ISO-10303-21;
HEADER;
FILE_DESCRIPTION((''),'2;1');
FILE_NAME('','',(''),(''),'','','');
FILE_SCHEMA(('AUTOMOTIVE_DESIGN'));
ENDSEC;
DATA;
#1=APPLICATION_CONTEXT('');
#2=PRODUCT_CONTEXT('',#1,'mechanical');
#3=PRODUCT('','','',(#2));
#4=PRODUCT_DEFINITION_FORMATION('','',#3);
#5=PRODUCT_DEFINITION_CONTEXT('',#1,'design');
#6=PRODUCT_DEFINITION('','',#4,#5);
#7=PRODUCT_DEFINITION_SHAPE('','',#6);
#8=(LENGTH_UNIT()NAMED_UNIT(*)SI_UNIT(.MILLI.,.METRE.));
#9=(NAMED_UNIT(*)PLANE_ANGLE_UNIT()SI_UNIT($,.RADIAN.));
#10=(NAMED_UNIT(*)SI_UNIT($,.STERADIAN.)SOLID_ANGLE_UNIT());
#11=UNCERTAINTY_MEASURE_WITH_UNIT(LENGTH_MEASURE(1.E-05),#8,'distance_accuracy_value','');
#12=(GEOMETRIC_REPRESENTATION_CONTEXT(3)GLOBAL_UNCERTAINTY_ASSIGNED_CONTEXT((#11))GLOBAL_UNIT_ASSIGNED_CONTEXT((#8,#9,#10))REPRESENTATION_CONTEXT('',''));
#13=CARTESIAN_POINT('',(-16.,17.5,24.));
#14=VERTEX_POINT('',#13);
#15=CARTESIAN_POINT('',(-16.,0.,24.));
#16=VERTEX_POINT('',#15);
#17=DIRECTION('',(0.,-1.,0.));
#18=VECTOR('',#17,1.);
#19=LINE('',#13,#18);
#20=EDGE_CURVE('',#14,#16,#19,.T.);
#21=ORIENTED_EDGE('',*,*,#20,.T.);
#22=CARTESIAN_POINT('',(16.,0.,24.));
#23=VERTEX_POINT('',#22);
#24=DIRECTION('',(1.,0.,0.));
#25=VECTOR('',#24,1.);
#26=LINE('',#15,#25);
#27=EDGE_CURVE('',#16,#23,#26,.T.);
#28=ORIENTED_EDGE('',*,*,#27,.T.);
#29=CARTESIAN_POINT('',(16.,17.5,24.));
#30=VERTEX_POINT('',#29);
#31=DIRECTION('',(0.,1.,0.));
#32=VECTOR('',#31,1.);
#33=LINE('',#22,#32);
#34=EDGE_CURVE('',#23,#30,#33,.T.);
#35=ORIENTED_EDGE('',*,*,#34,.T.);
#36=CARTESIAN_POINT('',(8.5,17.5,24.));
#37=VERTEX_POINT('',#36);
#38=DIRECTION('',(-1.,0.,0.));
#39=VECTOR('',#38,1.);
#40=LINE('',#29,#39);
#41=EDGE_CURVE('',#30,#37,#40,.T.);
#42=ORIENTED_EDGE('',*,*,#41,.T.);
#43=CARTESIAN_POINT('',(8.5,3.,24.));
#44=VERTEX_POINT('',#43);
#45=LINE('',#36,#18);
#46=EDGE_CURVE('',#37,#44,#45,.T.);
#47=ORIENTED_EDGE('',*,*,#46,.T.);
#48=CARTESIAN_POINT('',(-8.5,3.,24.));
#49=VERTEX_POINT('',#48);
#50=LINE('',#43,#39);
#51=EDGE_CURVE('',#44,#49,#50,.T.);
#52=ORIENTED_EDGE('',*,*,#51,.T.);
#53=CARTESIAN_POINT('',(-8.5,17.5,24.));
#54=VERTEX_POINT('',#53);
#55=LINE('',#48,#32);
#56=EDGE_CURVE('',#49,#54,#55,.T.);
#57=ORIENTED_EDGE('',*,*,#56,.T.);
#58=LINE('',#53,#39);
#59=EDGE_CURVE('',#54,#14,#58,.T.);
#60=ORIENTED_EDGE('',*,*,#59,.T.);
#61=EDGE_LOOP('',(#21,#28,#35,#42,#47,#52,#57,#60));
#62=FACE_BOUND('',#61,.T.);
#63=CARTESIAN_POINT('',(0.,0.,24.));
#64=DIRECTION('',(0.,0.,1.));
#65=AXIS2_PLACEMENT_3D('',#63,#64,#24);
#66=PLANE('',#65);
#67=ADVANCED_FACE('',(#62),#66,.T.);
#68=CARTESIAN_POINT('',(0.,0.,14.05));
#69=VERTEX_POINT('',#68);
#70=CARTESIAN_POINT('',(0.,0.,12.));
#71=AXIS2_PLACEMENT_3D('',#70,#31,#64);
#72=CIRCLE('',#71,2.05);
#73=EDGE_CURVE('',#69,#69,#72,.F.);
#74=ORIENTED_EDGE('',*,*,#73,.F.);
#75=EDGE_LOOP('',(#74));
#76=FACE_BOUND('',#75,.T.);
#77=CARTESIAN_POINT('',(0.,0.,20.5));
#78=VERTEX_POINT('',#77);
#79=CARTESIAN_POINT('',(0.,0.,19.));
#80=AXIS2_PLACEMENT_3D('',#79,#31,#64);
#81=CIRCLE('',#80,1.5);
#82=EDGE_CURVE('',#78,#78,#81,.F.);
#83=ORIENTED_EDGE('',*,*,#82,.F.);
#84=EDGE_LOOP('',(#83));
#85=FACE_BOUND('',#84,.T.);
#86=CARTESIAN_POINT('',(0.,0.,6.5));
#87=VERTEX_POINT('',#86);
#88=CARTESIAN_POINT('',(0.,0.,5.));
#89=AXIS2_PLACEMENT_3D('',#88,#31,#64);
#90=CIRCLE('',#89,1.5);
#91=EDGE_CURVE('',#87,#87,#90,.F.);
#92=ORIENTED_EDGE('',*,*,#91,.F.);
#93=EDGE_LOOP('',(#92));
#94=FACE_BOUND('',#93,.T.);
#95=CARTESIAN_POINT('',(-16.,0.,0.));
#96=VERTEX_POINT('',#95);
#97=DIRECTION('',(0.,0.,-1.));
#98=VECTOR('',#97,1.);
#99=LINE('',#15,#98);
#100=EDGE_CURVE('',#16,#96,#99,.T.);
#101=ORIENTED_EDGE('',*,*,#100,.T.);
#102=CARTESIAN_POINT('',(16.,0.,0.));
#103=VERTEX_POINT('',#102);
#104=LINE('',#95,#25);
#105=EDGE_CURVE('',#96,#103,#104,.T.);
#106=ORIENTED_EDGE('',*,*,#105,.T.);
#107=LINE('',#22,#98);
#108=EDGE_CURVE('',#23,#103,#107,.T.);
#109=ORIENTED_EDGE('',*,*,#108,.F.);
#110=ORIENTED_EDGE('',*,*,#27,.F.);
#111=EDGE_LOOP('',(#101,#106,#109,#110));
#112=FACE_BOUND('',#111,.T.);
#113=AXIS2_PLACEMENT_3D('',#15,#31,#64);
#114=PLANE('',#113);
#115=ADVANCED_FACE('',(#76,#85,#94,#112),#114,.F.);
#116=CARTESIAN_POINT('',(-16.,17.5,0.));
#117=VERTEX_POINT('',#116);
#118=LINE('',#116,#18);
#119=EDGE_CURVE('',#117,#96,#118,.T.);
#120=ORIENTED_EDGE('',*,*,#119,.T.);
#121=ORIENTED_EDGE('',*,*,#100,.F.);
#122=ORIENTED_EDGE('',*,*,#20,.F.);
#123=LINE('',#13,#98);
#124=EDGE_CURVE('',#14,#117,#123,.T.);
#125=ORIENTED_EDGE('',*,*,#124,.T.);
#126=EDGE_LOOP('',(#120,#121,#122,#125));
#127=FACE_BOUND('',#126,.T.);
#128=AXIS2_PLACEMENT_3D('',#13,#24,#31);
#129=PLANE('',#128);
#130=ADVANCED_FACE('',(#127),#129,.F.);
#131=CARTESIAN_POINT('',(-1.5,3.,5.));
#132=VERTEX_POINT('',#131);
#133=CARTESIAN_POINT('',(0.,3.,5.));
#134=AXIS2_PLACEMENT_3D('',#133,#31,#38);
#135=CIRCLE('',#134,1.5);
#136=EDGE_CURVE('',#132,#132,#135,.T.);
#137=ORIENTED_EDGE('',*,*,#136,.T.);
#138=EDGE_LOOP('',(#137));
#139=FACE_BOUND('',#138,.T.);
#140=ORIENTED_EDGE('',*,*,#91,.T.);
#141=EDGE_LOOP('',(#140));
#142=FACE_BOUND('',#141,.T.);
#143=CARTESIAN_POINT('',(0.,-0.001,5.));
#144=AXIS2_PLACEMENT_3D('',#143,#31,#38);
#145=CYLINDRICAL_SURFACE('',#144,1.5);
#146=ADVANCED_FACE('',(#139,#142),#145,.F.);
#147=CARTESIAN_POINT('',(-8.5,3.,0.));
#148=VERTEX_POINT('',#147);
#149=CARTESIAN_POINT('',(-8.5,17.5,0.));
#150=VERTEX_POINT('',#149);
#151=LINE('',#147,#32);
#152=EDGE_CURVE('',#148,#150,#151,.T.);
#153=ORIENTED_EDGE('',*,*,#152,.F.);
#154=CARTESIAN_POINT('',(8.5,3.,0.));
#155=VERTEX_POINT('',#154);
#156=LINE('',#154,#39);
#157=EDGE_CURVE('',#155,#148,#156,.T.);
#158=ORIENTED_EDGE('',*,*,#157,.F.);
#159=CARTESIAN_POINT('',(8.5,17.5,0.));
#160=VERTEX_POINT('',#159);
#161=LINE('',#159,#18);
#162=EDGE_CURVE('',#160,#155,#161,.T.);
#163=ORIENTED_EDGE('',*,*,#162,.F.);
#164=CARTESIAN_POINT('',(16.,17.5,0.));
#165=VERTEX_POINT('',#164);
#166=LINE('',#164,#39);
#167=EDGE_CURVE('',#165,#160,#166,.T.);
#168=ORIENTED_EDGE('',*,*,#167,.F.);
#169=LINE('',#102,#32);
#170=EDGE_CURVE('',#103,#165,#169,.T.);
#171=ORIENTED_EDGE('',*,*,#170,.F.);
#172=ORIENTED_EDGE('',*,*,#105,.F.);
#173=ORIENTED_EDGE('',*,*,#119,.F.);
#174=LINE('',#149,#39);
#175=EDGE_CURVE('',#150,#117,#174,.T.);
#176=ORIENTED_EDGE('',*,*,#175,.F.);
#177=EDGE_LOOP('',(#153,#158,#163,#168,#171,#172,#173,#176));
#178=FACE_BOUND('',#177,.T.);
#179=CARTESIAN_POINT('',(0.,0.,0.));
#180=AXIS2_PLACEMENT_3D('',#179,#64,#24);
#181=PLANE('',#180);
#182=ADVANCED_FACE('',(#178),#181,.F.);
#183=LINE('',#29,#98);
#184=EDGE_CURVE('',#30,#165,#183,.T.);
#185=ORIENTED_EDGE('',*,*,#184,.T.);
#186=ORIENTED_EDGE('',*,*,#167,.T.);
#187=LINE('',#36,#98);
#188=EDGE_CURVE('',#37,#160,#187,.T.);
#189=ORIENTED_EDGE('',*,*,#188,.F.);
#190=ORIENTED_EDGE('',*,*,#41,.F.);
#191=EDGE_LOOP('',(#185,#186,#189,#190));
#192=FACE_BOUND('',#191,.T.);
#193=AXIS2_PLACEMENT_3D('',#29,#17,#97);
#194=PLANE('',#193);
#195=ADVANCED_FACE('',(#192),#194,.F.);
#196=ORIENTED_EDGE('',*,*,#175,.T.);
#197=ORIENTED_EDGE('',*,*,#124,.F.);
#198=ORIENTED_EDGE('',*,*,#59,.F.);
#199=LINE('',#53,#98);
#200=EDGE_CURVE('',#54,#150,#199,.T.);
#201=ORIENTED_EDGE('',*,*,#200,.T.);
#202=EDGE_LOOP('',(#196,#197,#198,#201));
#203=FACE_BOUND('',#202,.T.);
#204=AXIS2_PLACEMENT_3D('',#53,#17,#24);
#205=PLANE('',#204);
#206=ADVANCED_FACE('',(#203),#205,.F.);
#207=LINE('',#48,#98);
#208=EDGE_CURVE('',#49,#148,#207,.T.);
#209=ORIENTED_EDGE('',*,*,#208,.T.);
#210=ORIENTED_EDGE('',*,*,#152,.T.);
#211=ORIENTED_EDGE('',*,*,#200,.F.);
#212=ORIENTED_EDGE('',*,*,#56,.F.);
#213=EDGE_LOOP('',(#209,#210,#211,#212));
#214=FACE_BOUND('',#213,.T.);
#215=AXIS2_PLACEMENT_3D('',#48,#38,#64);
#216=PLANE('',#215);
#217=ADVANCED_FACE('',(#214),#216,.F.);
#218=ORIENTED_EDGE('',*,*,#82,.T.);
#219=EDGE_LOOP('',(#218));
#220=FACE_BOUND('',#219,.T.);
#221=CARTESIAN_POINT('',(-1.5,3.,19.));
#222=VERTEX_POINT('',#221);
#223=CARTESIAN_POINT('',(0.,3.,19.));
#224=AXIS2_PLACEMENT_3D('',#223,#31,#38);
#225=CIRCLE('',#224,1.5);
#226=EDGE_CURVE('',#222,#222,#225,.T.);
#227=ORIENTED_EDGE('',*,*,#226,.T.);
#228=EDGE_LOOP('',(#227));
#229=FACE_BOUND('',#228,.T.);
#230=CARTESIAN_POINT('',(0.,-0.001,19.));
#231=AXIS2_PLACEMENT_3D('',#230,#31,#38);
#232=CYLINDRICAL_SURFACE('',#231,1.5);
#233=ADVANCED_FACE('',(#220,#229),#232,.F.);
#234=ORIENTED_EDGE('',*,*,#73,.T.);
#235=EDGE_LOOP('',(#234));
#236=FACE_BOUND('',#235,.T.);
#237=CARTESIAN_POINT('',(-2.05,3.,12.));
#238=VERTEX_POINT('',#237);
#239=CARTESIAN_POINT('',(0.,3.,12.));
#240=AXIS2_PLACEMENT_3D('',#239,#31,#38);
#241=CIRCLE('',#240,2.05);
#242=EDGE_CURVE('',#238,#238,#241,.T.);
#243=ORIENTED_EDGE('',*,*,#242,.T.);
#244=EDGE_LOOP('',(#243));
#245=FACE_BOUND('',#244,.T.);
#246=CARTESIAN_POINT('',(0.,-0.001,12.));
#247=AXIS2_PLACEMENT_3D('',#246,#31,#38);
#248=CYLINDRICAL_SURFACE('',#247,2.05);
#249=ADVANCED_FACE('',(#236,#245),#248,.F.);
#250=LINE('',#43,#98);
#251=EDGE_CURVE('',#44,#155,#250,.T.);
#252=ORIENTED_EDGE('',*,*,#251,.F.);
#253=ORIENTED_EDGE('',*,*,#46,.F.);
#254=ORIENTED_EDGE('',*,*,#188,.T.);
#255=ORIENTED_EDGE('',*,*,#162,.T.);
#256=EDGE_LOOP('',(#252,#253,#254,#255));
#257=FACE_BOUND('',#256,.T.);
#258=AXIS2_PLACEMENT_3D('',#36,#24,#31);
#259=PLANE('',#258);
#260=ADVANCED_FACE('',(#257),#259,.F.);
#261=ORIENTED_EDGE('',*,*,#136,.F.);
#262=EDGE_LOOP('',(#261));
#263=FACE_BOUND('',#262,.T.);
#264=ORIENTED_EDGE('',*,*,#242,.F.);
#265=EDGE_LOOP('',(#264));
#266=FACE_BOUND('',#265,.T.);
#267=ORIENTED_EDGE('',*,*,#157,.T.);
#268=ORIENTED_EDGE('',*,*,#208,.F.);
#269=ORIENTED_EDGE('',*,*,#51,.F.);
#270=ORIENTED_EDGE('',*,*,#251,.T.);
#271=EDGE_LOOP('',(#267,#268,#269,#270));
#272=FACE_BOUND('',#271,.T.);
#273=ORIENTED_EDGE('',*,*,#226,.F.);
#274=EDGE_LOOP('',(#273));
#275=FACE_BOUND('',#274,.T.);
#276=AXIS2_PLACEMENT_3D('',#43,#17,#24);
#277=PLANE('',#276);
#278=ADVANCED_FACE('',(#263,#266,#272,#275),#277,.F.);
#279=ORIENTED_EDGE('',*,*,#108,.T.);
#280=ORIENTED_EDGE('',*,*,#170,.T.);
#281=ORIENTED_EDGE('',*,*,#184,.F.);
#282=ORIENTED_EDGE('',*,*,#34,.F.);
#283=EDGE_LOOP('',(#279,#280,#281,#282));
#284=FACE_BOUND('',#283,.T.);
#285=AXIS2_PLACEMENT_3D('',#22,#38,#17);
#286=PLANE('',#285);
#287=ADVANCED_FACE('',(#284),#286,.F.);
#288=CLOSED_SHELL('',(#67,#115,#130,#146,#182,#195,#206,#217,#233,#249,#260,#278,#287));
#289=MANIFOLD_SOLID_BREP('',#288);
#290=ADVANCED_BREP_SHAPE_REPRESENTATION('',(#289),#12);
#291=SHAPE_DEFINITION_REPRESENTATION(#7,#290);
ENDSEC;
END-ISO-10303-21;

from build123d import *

# Parameters (mm, degrees)
BOSS_EXTRUDE1_DEPTH = 24
CUT_EXTRUDE1_REACH  = 5
SKETCH4_R           = 1.5
SKETCH4_R_2         = 2.05


with BuildPart() as part:
    # Sketch3 → Boss-Extrude1 (new body)
    with BuildSketch(Plane.XY):
        Polygon((-16, 0), (16, 0), (16, 17.5), (8.5, 17.5), (8.5, 3), (-8.5, 3), (-8.5, 17.5), (-16, 17.5), align=None)
    extrude(amount=BOSS_EXTRUDE1_DEPTH)

    # Sketch4 → Cut-Extrude1 (cut, up to next)
    with BuildSketch(Plane(origin=(0, 3, 0), x_dir=(1, 0, 0), z_dir=(0, 1, 0)), mode=Mode.PRIVATE) as cut_extrude1_sk1:
        with Locations((0, -5)):
            Circle(SKETCH4_R)
    cut_extrude1_tool1 = extrude(cut_extrude1_sk1.sketch, amount=-CUT_EXTRUDE1_REACH, mode=Mode.PRIVATE) & part.part
    add(cut_extrude1_tool1.solids().sort_by_distance((0, 3, 5))[0], mode=Mode.SUBTRACT)
    # Sketch4 → Cut-Extrude1 (cut, up to next)
    with BuildSketch(Plane(origin=(0, 3, 0), x_dir=(1, 0, 0), z_dir=(0, 1, 0)), mode=Mode.PRIVATE) as cut_extrude1_sk2:
        with Locations((0, -12)):
            Circle(SKETCH4_R_2)
    cut_extrude1_tool2 = extrude(cut_extrude1_sk2.sketch, amount=-CUT_EXTRUDE1_REACH, mode=Mode.PRIVATE) & part.part
    add(cut_extrude1_tool2.solids().sort_by_distance((0, 3, 12))[0], mode=Mode.SUBTRACT)
    # Sketch4 → Cut-Extrude1 (cut, up to next)
    with BuildSketch(Plane(origin=(0, 3, 0), x_dir=(1, 0, 0), z_dir=(0, 1, 0)), mode=Mode.PRIVATE) as cut_extrude1_sk3:
        with Locations((0, -19)):
            Circle(SKETCH4_R)
    cut_extrude1_tool3 = extrude(cut_extrude1_sk3.sketch, amount=-CUT_EXTRUDE1_REACH, mode=Mode.PRIVATE) & part.part
    add(cut_extrude1_tool3.solids().sort_by_distance((0, 3, 19))[0], mode=Mode.SUBTRACT)


solid = part.part
